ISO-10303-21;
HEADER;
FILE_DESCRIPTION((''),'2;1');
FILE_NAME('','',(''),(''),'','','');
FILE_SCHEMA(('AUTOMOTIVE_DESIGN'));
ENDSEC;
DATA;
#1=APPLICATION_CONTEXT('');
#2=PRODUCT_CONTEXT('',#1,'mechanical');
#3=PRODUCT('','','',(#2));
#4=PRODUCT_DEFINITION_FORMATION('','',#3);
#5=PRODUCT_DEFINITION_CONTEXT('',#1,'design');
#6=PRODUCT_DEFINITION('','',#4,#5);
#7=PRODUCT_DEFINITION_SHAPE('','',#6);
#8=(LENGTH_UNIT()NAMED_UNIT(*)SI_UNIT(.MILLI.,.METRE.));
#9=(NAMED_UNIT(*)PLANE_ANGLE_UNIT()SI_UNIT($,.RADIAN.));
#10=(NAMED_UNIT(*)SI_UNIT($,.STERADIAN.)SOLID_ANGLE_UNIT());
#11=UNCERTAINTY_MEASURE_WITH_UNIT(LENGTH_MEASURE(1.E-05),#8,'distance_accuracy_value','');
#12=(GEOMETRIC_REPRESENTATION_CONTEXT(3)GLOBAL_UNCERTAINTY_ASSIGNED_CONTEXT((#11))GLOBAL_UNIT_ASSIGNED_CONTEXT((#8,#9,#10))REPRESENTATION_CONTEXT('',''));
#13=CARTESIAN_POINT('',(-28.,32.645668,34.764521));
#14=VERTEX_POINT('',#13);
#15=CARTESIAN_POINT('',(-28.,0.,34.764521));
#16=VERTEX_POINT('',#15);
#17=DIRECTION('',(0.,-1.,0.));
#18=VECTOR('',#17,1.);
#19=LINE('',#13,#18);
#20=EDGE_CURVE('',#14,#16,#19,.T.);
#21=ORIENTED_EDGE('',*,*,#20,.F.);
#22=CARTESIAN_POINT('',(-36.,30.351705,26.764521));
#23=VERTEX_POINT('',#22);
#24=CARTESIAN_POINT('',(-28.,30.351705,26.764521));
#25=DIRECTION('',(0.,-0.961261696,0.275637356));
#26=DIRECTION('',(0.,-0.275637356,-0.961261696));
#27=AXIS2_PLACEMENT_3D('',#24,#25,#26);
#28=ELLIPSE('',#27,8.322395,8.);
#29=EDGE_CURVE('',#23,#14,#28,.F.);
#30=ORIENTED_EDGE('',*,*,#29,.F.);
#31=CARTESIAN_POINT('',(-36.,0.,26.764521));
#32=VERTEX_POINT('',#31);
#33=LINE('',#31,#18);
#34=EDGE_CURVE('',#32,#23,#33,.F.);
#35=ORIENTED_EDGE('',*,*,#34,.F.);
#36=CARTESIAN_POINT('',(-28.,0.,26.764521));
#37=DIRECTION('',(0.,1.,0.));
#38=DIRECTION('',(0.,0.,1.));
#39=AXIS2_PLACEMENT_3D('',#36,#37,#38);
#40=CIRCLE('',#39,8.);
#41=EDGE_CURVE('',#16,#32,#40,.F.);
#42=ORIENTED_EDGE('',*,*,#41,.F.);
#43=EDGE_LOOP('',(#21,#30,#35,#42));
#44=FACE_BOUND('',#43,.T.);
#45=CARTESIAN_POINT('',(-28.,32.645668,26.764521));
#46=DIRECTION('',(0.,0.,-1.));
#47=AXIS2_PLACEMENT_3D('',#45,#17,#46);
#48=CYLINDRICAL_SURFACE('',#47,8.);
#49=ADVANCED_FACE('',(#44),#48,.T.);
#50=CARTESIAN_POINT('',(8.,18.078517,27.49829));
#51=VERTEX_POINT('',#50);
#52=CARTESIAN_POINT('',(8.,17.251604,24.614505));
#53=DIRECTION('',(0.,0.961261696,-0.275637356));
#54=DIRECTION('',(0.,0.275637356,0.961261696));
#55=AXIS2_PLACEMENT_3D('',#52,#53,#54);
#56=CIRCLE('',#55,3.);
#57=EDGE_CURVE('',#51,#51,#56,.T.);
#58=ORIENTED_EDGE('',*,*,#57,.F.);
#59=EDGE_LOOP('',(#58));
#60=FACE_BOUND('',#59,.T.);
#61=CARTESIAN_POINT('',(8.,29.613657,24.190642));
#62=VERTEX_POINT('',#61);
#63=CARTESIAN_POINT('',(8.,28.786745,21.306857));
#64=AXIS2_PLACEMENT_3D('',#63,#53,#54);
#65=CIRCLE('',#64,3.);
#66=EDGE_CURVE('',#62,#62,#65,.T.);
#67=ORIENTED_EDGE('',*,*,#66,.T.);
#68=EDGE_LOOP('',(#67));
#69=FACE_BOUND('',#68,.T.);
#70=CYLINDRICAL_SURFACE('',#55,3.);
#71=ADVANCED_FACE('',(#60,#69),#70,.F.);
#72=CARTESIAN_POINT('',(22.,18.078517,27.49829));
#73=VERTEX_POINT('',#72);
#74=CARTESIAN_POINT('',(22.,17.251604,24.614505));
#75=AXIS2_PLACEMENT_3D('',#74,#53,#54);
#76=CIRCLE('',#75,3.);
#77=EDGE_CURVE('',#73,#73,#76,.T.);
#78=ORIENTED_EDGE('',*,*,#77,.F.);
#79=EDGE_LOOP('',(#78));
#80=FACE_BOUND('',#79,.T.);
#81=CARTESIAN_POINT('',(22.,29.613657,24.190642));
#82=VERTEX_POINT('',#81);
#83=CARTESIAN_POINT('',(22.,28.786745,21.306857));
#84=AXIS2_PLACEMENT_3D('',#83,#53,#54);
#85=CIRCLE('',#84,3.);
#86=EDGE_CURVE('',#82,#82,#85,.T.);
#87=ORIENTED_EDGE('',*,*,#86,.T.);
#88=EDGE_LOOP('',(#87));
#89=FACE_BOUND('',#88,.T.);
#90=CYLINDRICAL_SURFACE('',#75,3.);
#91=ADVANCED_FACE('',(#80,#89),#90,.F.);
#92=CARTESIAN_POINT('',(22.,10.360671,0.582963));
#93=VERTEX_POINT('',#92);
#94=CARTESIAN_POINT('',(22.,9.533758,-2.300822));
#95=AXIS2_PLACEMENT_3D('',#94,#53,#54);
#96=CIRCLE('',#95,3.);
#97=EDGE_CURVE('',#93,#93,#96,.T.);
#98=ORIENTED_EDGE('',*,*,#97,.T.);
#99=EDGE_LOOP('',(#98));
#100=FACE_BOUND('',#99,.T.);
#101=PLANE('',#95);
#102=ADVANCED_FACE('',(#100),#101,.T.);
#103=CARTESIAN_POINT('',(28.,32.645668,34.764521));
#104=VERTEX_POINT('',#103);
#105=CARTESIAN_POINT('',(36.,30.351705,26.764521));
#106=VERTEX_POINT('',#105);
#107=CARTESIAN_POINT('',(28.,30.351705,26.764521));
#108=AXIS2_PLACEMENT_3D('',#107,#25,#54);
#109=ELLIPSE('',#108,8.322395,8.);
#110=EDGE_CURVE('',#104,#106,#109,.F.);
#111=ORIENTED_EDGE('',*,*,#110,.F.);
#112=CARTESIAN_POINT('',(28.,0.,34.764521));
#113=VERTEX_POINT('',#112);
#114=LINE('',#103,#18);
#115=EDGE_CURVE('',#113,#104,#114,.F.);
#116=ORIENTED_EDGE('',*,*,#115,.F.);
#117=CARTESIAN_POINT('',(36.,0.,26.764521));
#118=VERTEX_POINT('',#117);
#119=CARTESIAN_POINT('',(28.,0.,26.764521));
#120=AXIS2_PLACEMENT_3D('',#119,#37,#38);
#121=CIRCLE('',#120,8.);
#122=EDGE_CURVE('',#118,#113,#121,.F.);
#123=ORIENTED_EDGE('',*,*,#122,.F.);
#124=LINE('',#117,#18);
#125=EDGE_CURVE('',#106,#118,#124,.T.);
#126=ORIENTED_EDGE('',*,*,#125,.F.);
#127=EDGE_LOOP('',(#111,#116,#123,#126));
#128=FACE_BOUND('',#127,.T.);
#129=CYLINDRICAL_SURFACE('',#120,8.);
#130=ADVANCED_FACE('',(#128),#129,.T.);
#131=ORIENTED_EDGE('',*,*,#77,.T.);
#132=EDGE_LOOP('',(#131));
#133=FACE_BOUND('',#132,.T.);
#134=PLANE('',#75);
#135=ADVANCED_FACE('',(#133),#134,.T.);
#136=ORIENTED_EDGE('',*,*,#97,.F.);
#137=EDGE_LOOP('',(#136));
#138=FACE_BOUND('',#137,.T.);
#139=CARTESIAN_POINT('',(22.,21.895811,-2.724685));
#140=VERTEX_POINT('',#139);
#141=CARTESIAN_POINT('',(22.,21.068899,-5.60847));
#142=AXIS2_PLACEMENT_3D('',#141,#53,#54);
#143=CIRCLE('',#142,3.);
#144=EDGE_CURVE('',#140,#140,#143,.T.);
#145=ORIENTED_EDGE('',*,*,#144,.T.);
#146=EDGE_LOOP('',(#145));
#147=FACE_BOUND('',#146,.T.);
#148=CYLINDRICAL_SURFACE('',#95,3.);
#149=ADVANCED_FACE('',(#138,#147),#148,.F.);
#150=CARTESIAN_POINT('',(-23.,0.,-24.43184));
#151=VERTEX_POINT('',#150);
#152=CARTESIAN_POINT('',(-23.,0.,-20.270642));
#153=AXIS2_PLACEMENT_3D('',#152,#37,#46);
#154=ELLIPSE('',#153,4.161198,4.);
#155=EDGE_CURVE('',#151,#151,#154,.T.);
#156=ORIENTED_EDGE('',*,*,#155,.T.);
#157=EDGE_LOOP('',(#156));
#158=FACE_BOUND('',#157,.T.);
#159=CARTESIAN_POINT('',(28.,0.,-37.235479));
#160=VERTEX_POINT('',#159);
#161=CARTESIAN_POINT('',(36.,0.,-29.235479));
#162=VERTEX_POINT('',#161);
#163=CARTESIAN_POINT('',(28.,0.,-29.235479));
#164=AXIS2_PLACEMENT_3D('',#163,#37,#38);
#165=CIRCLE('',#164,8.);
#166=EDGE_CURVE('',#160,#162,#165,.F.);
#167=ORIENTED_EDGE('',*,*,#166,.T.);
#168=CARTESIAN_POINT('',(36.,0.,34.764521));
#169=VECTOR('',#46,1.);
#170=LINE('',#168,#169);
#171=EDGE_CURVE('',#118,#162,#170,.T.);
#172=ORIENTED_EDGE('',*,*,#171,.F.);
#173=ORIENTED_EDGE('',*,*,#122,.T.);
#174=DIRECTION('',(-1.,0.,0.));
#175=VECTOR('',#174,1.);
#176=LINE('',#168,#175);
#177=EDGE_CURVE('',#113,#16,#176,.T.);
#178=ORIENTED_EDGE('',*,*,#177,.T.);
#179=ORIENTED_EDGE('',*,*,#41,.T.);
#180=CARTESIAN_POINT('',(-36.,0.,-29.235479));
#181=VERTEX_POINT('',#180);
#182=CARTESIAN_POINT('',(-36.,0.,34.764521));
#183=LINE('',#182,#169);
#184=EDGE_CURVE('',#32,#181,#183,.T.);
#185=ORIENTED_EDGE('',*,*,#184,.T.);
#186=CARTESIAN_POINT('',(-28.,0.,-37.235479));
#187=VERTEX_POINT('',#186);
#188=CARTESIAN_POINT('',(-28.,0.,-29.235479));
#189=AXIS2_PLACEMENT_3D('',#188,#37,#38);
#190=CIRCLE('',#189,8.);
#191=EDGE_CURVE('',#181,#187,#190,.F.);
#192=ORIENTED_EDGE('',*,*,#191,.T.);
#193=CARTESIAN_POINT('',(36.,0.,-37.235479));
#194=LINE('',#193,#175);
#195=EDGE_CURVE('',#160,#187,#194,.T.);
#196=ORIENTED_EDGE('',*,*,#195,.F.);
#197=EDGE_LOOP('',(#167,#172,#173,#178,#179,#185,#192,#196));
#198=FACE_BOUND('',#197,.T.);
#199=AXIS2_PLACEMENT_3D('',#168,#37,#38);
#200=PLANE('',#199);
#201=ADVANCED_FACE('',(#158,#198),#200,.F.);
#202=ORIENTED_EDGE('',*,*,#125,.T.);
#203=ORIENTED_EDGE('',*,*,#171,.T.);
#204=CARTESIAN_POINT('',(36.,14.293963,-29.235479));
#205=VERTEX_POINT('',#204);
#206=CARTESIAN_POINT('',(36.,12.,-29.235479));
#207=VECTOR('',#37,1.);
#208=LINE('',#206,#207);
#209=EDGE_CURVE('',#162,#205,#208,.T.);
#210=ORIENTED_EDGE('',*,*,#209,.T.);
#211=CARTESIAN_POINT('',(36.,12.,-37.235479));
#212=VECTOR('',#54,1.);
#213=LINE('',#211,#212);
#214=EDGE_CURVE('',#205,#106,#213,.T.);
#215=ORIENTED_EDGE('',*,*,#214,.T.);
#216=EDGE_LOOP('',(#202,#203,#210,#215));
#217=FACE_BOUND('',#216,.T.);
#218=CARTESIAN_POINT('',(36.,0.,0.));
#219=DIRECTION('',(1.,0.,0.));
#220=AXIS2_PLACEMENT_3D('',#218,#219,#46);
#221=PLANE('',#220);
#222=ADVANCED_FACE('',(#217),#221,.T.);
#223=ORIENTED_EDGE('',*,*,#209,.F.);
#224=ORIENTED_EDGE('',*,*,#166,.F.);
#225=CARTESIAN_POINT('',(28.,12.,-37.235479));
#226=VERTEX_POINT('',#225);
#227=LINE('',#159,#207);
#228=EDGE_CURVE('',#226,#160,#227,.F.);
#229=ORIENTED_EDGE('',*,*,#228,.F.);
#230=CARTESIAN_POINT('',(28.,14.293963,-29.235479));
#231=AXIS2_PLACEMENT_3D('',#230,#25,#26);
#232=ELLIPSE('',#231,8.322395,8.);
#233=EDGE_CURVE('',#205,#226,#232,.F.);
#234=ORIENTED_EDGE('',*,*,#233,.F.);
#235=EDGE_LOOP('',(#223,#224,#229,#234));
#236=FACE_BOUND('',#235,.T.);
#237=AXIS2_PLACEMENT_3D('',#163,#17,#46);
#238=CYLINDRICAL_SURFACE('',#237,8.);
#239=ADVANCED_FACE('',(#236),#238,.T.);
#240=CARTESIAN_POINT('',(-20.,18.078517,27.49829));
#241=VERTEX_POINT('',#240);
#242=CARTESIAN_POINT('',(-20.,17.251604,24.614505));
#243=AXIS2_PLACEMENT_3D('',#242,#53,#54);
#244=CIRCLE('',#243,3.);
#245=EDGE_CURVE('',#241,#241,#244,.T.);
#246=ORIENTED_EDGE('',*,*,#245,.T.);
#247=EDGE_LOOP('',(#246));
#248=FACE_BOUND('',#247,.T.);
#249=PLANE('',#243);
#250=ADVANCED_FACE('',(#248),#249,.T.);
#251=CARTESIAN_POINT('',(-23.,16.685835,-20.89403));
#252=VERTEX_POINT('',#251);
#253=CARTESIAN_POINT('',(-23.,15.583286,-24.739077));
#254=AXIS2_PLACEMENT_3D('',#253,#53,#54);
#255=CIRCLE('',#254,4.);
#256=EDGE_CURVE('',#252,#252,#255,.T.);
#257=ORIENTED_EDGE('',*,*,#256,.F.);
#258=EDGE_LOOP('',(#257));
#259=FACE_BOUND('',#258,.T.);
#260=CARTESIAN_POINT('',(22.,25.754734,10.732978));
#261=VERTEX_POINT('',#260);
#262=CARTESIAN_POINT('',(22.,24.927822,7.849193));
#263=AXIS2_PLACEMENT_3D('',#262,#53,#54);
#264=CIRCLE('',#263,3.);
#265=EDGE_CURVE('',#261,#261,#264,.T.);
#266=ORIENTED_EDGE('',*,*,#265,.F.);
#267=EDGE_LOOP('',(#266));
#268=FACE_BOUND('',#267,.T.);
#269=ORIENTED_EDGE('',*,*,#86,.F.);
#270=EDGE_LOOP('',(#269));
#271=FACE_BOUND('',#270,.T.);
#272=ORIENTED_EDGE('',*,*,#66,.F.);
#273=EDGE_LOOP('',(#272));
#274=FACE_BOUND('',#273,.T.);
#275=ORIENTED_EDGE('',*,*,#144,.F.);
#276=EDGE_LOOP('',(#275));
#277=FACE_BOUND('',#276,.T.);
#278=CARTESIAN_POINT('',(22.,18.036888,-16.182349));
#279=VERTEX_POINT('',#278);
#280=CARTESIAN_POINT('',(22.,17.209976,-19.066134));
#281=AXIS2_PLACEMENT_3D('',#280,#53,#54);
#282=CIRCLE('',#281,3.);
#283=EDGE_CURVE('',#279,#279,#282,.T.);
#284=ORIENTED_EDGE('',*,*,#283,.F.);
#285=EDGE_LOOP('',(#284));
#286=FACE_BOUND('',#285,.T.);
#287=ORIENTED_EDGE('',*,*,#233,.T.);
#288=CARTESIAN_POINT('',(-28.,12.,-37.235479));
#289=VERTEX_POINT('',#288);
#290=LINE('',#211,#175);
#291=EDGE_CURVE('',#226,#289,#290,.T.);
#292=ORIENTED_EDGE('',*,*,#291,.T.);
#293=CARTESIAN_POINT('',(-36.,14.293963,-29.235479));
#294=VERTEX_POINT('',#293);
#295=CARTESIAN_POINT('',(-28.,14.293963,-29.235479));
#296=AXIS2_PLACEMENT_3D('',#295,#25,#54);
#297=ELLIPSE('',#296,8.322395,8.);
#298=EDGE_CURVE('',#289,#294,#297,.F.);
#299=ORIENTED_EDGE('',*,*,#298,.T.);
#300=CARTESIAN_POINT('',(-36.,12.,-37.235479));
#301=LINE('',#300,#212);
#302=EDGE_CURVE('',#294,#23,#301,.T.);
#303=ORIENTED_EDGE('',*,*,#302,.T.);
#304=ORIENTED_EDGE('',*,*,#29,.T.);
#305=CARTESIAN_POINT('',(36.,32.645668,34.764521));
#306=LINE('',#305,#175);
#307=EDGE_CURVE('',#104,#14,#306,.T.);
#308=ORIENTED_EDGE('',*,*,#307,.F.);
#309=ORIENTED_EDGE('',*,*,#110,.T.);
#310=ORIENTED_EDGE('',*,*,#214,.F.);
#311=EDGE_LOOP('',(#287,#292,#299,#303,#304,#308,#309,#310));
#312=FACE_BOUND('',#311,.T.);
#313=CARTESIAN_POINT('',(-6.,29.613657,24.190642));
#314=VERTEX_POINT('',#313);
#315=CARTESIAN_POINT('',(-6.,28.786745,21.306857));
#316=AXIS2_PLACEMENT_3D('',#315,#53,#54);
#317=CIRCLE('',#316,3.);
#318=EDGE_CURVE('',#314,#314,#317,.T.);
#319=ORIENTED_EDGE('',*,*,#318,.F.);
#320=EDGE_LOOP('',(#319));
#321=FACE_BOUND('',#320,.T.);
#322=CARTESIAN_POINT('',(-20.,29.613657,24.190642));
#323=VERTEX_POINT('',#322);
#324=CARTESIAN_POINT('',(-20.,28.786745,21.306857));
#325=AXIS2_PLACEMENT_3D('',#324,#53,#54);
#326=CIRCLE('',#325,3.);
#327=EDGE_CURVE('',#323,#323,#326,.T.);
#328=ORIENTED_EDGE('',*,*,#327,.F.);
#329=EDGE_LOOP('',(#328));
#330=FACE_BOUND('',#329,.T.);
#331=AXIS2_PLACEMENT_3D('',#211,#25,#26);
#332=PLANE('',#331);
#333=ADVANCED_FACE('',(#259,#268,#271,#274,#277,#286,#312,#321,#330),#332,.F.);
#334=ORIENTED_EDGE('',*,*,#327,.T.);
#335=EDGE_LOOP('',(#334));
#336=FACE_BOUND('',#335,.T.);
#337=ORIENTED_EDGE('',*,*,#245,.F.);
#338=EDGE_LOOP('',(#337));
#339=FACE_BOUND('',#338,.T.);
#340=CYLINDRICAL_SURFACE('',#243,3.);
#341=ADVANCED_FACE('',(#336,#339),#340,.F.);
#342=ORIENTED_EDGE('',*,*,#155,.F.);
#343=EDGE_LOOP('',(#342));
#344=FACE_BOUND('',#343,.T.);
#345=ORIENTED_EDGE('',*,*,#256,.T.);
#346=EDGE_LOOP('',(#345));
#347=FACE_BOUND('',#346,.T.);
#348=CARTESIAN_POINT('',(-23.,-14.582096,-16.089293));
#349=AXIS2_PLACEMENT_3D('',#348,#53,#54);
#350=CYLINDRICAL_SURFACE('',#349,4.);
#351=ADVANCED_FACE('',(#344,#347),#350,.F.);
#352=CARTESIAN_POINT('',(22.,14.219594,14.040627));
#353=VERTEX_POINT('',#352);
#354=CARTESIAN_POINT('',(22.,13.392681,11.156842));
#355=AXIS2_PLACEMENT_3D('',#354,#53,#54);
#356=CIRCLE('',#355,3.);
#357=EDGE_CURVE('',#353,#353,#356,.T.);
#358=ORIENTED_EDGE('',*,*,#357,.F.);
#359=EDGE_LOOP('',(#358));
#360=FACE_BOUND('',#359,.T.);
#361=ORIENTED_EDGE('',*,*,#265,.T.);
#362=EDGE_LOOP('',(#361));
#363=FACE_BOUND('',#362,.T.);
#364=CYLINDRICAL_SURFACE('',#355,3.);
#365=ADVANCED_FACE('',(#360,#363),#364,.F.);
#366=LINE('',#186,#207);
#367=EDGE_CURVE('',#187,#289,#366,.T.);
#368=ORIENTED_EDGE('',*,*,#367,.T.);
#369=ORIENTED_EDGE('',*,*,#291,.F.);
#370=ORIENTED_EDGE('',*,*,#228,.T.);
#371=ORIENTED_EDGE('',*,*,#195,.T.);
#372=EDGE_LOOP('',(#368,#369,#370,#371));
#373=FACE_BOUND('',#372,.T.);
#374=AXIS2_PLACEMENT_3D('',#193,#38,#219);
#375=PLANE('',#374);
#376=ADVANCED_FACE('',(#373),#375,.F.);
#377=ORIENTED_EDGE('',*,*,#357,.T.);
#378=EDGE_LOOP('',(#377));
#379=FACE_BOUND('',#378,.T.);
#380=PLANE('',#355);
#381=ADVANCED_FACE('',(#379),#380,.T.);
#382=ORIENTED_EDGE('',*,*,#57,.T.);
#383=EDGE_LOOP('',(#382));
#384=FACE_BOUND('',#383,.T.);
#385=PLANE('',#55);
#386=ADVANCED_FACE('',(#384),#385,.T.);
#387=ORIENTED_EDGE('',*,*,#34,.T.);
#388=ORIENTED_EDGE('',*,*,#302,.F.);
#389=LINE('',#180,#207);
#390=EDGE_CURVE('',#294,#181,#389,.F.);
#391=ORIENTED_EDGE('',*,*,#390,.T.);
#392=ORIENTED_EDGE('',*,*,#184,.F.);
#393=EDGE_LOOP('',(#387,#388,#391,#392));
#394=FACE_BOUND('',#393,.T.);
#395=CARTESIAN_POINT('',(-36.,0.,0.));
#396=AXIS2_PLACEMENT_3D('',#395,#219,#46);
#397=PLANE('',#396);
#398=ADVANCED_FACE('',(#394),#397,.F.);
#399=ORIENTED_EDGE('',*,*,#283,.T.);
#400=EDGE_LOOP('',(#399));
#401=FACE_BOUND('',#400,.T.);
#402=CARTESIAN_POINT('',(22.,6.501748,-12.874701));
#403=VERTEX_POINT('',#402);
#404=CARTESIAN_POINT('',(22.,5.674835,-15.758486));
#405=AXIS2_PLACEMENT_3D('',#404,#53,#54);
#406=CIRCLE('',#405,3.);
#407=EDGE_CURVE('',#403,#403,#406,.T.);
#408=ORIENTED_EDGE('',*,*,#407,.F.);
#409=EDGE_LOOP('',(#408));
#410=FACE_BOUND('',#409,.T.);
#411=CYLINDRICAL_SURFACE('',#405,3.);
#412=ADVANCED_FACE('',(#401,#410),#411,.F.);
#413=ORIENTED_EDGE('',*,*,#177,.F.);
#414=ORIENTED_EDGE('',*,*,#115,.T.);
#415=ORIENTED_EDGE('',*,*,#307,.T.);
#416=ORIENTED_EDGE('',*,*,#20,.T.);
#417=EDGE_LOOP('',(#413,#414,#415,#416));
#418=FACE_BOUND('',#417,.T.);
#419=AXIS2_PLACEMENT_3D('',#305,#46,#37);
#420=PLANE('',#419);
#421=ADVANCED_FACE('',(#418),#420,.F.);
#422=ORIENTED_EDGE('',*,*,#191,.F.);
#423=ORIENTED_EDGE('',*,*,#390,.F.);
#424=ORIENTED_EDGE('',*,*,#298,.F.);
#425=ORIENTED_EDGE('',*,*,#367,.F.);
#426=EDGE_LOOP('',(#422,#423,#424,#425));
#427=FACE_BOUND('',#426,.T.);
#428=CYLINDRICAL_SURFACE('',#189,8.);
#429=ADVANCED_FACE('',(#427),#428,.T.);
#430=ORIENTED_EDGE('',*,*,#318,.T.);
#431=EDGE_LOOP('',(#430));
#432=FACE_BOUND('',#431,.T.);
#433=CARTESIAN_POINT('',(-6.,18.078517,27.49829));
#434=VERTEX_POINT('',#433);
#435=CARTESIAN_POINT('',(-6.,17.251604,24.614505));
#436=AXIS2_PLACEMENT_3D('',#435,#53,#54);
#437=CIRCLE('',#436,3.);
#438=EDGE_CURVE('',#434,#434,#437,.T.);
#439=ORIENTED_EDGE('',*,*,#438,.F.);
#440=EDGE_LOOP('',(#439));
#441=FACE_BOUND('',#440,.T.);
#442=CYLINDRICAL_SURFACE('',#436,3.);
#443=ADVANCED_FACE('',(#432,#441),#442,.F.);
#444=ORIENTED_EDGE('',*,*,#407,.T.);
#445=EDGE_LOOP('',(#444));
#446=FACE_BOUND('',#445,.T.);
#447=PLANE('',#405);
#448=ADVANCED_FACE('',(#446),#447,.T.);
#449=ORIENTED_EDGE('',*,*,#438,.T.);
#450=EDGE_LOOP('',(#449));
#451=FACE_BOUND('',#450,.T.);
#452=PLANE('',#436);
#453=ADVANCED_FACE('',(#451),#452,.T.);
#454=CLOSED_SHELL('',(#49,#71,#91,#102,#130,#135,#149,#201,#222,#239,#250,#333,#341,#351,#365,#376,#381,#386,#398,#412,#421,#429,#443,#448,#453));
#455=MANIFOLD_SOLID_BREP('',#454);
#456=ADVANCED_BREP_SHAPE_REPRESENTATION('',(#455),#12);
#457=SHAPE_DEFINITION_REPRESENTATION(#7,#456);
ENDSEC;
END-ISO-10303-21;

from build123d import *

# Parameters (mm, degrees)
BOSS_EXTRUDE1_DEPTH = 36
FILLET2_R           = 8
SKETCH4_R           = 4
CUT_EXTRUDE2_DEPTH  = 32.38102997
SKETCH3_R           = 3
CUT_EXTRUDE3_DEPTH  = 12


with BuildPart() as part:
    # Sketch2 → Boss-Extrude1 (new body, symmetric)
    with BuildSketch(Plane(origin=(0, 0, 0), x_dir=(0, 0, -1), z_dir=(1, 0, 0))):
        Polygon((37.235479123, 0), (37.235479123, 12), (-34.764520877, 32.645667775), (-34.764520877, 0), align=None)
    extrude(amount=BOSS_EXTRUDE1_DEPTH, both=True)

    # Fillet2
    fillet2_edges = [part.edges().sort_by_distance(p)[0] for p in [
        (36, 6, -37.235479123),
        (-36, 6, -37.235479123),
        (-36, 16.322833887, 34.764520877),
        (36, 16.322833887, 34.764520877),
    ]]
    fillet(fillet2_edges, radius=FILLET2_R)

    # Sketch4 → Cut-Extrude2 (cut, through all)
    with BuildSketch(Plane(origin=(0, 20.954187427, -6.008516557), x_dir=(1, 0, 0), z_dir=(0, 0.961261696, -0.275637356))):
        with Locations((-23, 19.485391541)):
            Circle(SKETCH4_R)
    extrude(amount=-CUT_EXTRUDE2_DEPTH, mode=Mode.SUBTRACT)

    # Sketch3 → Cut-Extrude3 (cut)
    with BuildSketch(Plane(origin=(0, 20.954187427, -6.008516557), x_dir=(1, 0, 0), z_dir=(0, 0.961261696, -0.275637356))):
        with Locations((-20, -28.416167841)):
            Circle(SKETCH3_R)
        with Locations((-6, -28.416167841)):
            Circle(SKETCH3_R)
        with Locations((8, -28.416167841)):
            Circle(SKETCH3_R)
        with Locations((22, -28.416167841)):
            Circle(SKETCH3_R)
        with Locations((22, -14.416167841)):
            Circle(SKETCH3_R)
        with Locations((22, -0.416167841)):
            Circle(SKETCH3_R)
        with Locations((22, 13.583832159)):
            Circle(SKETCH3_R)
    extrude(amount=-CUT_EXTRUDE3_DEPTH, mode=Mode.SUBTRACT)


solid = part.part
